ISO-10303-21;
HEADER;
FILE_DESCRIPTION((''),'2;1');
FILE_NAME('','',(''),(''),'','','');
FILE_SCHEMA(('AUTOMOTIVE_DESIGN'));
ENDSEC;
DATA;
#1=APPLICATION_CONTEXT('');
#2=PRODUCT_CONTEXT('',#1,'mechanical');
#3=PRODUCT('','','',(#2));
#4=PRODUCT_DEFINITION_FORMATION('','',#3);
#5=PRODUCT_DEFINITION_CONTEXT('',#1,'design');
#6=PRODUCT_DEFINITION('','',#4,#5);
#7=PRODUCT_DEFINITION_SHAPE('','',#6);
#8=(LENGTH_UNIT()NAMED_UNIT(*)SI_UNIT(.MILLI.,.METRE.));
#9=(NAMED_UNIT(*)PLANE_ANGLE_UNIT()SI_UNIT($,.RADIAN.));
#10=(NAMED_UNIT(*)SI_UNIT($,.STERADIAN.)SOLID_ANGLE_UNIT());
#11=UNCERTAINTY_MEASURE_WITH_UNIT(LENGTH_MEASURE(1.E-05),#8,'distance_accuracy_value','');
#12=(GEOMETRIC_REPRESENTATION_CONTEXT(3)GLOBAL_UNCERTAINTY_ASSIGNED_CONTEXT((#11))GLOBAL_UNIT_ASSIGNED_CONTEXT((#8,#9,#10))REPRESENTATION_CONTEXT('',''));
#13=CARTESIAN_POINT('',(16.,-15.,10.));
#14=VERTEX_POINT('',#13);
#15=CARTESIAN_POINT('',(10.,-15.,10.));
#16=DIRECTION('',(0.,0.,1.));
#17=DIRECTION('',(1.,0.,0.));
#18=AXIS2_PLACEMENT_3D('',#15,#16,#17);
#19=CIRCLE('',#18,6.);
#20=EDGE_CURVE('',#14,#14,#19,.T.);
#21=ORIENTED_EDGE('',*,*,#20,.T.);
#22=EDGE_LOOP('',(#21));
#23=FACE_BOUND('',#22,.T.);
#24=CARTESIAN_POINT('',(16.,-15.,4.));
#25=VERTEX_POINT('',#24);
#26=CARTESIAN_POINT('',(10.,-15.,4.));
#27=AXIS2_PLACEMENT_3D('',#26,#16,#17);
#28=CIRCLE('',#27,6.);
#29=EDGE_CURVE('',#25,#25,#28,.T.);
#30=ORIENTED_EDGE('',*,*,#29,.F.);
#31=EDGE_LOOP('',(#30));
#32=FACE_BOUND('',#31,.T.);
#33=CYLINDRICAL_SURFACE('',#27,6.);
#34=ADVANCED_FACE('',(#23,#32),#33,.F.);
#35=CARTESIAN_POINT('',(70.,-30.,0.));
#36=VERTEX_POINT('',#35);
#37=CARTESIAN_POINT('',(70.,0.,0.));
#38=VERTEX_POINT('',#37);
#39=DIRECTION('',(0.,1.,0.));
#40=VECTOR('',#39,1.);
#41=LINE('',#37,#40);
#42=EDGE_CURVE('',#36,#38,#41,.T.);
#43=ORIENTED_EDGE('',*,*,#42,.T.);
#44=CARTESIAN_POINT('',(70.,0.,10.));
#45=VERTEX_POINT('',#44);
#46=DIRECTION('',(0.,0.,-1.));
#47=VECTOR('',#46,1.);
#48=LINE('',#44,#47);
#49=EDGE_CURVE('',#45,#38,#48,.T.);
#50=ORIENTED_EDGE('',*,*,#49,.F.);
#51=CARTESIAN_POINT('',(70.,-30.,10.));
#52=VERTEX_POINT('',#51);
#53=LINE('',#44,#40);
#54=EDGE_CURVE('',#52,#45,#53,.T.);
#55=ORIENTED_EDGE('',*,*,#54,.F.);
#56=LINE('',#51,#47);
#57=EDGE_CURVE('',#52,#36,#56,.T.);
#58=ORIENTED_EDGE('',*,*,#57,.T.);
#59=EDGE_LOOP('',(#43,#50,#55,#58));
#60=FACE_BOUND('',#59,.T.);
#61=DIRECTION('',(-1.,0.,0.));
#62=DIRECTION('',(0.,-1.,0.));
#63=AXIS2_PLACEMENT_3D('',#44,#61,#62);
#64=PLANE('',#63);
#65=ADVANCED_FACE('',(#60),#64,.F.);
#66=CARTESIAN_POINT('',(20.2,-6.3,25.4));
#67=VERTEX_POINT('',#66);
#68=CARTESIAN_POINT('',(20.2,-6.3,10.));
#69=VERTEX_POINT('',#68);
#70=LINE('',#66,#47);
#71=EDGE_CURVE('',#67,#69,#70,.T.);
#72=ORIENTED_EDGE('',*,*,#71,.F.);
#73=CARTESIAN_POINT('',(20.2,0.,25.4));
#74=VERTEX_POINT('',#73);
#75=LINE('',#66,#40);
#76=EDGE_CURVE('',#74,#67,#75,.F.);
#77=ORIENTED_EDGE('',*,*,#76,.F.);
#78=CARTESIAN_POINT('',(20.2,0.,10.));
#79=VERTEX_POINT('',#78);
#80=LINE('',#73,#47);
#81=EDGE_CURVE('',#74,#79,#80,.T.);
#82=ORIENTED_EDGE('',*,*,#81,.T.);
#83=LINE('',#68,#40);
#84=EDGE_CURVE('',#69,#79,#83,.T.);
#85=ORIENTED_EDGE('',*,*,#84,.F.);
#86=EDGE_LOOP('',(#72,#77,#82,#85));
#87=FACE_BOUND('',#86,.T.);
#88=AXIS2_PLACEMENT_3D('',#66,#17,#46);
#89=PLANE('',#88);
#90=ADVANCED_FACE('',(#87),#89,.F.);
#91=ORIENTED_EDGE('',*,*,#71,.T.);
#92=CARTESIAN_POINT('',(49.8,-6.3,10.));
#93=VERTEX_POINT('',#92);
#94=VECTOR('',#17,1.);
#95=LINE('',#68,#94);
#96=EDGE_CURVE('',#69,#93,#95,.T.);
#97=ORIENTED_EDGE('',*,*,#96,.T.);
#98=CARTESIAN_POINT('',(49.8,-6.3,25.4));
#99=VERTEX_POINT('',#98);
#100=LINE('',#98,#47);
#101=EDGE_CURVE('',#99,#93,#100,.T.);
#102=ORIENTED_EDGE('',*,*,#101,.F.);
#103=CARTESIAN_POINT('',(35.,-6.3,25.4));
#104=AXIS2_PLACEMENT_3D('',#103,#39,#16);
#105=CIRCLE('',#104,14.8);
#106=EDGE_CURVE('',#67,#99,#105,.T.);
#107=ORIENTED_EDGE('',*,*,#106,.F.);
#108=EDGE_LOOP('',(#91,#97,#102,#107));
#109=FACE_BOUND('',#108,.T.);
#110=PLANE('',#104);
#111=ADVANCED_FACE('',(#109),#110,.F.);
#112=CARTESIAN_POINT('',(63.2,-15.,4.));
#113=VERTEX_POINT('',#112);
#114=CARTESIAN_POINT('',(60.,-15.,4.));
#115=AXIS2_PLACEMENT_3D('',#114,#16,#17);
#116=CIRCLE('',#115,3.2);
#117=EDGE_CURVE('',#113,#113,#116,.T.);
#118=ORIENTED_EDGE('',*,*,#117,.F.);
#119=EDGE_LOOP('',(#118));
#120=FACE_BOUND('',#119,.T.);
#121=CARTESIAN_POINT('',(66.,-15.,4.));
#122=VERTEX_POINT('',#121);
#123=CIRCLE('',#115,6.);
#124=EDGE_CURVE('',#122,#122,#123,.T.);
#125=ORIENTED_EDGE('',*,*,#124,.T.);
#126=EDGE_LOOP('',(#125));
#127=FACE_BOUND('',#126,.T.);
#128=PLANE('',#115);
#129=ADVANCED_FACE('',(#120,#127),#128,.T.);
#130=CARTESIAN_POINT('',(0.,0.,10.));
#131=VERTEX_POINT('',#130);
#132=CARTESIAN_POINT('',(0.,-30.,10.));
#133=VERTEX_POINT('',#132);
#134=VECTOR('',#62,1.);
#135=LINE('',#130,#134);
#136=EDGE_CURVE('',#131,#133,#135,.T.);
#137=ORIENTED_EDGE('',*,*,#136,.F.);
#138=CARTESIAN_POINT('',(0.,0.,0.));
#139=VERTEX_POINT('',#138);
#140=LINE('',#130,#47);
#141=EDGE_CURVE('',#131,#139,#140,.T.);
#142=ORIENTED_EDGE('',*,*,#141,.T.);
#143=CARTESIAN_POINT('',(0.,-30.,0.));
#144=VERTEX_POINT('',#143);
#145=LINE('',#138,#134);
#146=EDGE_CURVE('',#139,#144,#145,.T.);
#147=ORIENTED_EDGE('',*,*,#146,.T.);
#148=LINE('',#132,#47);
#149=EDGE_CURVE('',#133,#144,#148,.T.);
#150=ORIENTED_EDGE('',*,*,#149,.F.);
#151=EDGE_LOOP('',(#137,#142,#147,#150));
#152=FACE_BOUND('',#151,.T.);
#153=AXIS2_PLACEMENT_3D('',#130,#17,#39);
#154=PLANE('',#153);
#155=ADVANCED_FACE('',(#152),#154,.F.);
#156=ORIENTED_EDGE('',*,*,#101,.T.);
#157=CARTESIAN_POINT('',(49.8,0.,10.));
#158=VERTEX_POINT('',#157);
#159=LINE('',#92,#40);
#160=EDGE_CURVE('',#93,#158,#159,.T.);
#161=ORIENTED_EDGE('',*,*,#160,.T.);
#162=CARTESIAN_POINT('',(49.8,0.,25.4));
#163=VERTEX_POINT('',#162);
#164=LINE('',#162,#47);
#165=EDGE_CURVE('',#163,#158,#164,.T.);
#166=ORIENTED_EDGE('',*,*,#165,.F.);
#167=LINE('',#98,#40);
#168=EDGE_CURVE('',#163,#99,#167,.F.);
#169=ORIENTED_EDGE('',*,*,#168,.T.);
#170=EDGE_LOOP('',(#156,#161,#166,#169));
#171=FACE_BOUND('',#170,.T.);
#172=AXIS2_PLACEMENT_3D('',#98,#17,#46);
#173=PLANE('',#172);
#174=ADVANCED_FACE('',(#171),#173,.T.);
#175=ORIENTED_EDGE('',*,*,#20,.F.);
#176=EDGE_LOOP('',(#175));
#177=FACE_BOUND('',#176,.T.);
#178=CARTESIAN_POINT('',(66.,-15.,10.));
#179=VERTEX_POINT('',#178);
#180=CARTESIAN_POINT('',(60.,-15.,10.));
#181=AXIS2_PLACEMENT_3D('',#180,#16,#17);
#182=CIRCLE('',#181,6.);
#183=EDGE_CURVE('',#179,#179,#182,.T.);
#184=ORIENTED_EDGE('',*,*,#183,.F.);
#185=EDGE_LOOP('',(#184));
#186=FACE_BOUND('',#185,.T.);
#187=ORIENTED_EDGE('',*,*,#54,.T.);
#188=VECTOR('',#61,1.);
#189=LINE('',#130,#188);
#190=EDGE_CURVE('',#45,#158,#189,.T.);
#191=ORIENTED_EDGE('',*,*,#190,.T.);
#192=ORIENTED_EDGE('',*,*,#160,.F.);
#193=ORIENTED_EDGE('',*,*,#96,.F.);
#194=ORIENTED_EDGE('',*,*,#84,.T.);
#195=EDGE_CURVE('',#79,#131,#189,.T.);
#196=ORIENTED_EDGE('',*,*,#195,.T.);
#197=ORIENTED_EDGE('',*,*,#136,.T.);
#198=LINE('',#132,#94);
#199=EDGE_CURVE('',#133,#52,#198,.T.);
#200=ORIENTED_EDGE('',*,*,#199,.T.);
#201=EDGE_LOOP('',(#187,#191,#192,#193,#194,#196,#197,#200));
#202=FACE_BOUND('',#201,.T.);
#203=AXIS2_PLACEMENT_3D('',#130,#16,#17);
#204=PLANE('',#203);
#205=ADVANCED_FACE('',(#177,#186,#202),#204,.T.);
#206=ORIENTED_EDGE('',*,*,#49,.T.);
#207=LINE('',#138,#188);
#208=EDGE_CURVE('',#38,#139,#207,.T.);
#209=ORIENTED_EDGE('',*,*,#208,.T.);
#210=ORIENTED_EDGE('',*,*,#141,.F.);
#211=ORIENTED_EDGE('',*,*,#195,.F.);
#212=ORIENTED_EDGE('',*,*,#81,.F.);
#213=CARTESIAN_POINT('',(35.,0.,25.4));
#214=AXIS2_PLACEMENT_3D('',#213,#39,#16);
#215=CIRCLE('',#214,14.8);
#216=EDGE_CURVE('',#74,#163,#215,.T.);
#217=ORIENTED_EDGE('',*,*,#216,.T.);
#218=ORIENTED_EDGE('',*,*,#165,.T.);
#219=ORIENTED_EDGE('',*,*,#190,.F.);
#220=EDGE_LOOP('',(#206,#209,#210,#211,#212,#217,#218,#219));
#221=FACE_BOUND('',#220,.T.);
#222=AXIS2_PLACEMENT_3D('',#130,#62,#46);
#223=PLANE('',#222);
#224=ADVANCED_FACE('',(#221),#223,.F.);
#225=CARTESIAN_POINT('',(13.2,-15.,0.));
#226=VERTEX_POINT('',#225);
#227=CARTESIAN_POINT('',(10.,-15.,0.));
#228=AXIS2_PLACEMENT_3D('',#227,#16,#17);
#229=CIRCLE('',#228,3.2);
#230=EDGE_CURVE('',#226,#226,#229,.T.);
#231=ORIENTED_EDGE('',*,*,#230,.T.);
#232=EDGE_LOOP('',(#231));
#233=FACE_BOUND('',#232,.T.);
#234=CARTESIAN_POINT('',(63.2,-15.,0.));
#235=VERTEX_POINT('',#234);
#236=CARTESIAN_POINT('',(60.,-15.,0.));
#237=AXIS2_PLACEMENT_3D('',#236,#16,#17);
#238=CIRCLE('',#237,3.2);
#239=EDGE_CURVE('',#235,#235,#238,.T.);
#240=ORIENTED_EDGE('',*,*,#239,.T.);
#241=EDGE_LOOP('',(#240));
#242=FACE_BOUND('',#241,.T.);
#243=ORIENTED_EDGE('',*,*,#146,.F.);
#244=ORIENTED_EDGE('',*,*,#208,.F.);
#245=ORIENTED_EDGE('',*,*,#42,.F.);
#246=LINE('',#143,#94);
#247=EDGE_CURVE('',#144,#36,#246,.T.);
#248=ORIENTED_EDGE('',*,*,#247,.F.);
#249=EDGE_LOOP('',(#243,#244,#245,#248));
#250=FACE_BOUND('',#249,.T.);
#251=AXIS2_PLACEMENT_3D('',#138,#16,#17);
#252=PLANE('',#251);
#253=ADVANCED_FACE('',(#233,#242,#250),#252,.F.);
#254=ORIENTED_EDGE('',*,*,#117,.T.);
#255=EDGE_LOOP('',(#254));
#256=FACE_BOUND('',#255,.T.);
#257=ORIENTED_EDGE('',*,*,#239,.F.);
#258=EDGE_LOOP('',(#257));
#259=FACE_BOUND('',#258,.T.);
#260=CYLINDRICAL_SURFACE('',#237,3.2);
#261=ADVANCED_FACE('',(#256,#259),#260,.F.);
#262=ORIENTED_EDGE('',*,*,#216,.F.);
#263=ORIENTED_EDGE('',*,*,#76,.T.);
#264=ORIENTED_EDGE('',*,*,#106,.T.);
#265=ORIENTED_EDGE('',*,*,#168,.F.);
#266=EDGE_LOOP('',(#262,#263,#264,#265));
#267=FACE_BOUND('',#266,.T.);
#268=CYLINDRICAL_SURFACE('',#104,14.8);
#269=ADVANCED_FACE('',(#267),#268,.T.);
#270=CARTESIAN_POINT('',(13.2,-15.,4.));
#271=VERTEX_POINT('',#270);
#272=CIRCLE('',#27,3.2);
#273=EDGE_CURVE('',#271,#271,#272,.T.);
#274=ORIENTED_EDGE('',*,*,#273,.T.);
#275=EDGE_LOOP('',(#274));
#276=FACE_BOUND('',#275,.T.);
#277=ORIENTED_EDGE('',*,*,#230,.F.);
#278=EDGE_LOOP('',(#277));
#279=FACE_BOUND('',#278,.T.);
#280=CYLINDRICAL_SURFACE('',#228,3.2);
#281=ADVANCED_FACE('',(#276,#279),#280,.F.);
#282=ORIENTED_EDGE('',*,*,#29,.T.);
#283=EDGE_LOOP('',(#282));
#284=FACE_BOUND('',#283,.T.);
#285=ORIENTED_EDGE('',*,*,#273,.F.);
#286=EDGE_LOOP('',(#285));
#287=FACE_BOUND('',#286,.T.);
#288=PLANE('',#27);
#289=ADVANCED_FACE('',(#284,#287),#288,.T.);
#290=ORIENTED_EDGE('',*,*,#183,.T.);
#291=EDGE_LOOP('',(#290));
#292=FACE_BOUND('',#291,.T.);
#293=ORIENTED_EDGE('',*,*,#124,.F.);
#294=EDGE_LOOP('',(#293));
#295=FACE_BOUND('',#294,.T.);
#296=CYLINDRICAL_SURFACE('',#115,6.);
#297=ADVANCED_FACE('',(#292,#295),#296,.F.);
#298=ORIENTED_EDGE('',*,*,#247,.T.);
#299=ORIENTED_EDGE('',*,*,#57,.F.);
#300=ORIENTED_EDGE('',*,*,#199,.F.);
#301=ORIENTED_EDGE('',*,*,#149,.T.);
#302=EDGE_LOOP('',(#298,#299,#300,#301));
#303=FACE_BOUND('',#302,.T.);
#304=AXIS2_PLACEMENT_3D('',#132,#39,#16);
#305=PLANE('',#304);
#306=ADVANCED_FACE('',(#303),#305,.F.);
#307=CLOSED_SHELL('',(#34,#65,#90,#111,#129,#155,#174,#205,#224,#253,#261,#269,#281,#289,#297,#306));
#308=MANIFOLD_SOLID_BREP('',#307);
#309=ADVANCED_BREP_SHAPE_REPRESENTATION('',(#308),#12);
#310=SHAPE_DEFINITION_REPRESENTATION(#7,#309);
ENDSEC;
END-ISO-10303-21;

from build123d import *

# Parameters (mm, degrees)
SKETCH1_W           = 70
SKETCH1_H           = 30
BOSS_EXTRUDE1_DEPTH = 10
SKETCH2_R           = 6
CUT_EXTRUDE1_DEPTH  = 6
SKETCH3_R           = 3.2
CUT_EXTRUDE2_DEPTH  = 77.393717019
SKETCH9_R           = 14.8
BOSS_EXTRUDE3_DEPTH = 6.3


with BuildPart() as part:
    # Sketch1 → Boss-Extrude1 (new body)
    with BuildSketch(Plane.XY):
        with Locations((35, -15)):
            Rectangle(SKETCH1_W, SKETCH1_H)
    extrude(amount=BOSS_EXTRUDE1_DEPTH)

    # Sketch2 → Cut-Extrude1 (cut)
    with BuildSketch(Plane.XY.offset(10)):
        with Locations((10, -15)):
            Circle(SKETCH2_R)
        with Locations((60, -15)):
            Circle(SKETCH2_R)
    extrude(amount=-CUT_EXTRUDE1_DEPTH, mode=Mode.SUBTRACT)

    # Sketch3 → Cut-Extrude2 (cut, through all)
    with BuildSketch(Plane.XY.offset(4)):
        with Locations((10, -15)):
            Circle(SKETCH3_R)
        with Locations((60, -15)):
            Circle(SKETCH3_R)
    extrude(amount=-CUT_EXTRUDE2_DEPTH, mode=Mode.SUBTRACT)

    # Sketch9 → Boss-Extrude3 (add)
    with BuildSketch(Plane(origin=(0, 0, 0), x_dir=(1, 0, 0), z_dir=(0, 1, 0))):
        with Locations((35, -25.4)):
            Circle(SKETCH9_R)
        with BuildLine():
            Line((49.8, -25.4), (49.8, -10))
            Line((49.8, -10), (20.2, -10))
            Line((20.2, -10), (20.2, -25.4))
            ThreePointArc((20.2, -25.4), (35, -10.6), (49.8, -25.4))
        make_face()
    extrude(amount=-BOSS_EXTRUDE3_DEPTH)


solid = part.part
